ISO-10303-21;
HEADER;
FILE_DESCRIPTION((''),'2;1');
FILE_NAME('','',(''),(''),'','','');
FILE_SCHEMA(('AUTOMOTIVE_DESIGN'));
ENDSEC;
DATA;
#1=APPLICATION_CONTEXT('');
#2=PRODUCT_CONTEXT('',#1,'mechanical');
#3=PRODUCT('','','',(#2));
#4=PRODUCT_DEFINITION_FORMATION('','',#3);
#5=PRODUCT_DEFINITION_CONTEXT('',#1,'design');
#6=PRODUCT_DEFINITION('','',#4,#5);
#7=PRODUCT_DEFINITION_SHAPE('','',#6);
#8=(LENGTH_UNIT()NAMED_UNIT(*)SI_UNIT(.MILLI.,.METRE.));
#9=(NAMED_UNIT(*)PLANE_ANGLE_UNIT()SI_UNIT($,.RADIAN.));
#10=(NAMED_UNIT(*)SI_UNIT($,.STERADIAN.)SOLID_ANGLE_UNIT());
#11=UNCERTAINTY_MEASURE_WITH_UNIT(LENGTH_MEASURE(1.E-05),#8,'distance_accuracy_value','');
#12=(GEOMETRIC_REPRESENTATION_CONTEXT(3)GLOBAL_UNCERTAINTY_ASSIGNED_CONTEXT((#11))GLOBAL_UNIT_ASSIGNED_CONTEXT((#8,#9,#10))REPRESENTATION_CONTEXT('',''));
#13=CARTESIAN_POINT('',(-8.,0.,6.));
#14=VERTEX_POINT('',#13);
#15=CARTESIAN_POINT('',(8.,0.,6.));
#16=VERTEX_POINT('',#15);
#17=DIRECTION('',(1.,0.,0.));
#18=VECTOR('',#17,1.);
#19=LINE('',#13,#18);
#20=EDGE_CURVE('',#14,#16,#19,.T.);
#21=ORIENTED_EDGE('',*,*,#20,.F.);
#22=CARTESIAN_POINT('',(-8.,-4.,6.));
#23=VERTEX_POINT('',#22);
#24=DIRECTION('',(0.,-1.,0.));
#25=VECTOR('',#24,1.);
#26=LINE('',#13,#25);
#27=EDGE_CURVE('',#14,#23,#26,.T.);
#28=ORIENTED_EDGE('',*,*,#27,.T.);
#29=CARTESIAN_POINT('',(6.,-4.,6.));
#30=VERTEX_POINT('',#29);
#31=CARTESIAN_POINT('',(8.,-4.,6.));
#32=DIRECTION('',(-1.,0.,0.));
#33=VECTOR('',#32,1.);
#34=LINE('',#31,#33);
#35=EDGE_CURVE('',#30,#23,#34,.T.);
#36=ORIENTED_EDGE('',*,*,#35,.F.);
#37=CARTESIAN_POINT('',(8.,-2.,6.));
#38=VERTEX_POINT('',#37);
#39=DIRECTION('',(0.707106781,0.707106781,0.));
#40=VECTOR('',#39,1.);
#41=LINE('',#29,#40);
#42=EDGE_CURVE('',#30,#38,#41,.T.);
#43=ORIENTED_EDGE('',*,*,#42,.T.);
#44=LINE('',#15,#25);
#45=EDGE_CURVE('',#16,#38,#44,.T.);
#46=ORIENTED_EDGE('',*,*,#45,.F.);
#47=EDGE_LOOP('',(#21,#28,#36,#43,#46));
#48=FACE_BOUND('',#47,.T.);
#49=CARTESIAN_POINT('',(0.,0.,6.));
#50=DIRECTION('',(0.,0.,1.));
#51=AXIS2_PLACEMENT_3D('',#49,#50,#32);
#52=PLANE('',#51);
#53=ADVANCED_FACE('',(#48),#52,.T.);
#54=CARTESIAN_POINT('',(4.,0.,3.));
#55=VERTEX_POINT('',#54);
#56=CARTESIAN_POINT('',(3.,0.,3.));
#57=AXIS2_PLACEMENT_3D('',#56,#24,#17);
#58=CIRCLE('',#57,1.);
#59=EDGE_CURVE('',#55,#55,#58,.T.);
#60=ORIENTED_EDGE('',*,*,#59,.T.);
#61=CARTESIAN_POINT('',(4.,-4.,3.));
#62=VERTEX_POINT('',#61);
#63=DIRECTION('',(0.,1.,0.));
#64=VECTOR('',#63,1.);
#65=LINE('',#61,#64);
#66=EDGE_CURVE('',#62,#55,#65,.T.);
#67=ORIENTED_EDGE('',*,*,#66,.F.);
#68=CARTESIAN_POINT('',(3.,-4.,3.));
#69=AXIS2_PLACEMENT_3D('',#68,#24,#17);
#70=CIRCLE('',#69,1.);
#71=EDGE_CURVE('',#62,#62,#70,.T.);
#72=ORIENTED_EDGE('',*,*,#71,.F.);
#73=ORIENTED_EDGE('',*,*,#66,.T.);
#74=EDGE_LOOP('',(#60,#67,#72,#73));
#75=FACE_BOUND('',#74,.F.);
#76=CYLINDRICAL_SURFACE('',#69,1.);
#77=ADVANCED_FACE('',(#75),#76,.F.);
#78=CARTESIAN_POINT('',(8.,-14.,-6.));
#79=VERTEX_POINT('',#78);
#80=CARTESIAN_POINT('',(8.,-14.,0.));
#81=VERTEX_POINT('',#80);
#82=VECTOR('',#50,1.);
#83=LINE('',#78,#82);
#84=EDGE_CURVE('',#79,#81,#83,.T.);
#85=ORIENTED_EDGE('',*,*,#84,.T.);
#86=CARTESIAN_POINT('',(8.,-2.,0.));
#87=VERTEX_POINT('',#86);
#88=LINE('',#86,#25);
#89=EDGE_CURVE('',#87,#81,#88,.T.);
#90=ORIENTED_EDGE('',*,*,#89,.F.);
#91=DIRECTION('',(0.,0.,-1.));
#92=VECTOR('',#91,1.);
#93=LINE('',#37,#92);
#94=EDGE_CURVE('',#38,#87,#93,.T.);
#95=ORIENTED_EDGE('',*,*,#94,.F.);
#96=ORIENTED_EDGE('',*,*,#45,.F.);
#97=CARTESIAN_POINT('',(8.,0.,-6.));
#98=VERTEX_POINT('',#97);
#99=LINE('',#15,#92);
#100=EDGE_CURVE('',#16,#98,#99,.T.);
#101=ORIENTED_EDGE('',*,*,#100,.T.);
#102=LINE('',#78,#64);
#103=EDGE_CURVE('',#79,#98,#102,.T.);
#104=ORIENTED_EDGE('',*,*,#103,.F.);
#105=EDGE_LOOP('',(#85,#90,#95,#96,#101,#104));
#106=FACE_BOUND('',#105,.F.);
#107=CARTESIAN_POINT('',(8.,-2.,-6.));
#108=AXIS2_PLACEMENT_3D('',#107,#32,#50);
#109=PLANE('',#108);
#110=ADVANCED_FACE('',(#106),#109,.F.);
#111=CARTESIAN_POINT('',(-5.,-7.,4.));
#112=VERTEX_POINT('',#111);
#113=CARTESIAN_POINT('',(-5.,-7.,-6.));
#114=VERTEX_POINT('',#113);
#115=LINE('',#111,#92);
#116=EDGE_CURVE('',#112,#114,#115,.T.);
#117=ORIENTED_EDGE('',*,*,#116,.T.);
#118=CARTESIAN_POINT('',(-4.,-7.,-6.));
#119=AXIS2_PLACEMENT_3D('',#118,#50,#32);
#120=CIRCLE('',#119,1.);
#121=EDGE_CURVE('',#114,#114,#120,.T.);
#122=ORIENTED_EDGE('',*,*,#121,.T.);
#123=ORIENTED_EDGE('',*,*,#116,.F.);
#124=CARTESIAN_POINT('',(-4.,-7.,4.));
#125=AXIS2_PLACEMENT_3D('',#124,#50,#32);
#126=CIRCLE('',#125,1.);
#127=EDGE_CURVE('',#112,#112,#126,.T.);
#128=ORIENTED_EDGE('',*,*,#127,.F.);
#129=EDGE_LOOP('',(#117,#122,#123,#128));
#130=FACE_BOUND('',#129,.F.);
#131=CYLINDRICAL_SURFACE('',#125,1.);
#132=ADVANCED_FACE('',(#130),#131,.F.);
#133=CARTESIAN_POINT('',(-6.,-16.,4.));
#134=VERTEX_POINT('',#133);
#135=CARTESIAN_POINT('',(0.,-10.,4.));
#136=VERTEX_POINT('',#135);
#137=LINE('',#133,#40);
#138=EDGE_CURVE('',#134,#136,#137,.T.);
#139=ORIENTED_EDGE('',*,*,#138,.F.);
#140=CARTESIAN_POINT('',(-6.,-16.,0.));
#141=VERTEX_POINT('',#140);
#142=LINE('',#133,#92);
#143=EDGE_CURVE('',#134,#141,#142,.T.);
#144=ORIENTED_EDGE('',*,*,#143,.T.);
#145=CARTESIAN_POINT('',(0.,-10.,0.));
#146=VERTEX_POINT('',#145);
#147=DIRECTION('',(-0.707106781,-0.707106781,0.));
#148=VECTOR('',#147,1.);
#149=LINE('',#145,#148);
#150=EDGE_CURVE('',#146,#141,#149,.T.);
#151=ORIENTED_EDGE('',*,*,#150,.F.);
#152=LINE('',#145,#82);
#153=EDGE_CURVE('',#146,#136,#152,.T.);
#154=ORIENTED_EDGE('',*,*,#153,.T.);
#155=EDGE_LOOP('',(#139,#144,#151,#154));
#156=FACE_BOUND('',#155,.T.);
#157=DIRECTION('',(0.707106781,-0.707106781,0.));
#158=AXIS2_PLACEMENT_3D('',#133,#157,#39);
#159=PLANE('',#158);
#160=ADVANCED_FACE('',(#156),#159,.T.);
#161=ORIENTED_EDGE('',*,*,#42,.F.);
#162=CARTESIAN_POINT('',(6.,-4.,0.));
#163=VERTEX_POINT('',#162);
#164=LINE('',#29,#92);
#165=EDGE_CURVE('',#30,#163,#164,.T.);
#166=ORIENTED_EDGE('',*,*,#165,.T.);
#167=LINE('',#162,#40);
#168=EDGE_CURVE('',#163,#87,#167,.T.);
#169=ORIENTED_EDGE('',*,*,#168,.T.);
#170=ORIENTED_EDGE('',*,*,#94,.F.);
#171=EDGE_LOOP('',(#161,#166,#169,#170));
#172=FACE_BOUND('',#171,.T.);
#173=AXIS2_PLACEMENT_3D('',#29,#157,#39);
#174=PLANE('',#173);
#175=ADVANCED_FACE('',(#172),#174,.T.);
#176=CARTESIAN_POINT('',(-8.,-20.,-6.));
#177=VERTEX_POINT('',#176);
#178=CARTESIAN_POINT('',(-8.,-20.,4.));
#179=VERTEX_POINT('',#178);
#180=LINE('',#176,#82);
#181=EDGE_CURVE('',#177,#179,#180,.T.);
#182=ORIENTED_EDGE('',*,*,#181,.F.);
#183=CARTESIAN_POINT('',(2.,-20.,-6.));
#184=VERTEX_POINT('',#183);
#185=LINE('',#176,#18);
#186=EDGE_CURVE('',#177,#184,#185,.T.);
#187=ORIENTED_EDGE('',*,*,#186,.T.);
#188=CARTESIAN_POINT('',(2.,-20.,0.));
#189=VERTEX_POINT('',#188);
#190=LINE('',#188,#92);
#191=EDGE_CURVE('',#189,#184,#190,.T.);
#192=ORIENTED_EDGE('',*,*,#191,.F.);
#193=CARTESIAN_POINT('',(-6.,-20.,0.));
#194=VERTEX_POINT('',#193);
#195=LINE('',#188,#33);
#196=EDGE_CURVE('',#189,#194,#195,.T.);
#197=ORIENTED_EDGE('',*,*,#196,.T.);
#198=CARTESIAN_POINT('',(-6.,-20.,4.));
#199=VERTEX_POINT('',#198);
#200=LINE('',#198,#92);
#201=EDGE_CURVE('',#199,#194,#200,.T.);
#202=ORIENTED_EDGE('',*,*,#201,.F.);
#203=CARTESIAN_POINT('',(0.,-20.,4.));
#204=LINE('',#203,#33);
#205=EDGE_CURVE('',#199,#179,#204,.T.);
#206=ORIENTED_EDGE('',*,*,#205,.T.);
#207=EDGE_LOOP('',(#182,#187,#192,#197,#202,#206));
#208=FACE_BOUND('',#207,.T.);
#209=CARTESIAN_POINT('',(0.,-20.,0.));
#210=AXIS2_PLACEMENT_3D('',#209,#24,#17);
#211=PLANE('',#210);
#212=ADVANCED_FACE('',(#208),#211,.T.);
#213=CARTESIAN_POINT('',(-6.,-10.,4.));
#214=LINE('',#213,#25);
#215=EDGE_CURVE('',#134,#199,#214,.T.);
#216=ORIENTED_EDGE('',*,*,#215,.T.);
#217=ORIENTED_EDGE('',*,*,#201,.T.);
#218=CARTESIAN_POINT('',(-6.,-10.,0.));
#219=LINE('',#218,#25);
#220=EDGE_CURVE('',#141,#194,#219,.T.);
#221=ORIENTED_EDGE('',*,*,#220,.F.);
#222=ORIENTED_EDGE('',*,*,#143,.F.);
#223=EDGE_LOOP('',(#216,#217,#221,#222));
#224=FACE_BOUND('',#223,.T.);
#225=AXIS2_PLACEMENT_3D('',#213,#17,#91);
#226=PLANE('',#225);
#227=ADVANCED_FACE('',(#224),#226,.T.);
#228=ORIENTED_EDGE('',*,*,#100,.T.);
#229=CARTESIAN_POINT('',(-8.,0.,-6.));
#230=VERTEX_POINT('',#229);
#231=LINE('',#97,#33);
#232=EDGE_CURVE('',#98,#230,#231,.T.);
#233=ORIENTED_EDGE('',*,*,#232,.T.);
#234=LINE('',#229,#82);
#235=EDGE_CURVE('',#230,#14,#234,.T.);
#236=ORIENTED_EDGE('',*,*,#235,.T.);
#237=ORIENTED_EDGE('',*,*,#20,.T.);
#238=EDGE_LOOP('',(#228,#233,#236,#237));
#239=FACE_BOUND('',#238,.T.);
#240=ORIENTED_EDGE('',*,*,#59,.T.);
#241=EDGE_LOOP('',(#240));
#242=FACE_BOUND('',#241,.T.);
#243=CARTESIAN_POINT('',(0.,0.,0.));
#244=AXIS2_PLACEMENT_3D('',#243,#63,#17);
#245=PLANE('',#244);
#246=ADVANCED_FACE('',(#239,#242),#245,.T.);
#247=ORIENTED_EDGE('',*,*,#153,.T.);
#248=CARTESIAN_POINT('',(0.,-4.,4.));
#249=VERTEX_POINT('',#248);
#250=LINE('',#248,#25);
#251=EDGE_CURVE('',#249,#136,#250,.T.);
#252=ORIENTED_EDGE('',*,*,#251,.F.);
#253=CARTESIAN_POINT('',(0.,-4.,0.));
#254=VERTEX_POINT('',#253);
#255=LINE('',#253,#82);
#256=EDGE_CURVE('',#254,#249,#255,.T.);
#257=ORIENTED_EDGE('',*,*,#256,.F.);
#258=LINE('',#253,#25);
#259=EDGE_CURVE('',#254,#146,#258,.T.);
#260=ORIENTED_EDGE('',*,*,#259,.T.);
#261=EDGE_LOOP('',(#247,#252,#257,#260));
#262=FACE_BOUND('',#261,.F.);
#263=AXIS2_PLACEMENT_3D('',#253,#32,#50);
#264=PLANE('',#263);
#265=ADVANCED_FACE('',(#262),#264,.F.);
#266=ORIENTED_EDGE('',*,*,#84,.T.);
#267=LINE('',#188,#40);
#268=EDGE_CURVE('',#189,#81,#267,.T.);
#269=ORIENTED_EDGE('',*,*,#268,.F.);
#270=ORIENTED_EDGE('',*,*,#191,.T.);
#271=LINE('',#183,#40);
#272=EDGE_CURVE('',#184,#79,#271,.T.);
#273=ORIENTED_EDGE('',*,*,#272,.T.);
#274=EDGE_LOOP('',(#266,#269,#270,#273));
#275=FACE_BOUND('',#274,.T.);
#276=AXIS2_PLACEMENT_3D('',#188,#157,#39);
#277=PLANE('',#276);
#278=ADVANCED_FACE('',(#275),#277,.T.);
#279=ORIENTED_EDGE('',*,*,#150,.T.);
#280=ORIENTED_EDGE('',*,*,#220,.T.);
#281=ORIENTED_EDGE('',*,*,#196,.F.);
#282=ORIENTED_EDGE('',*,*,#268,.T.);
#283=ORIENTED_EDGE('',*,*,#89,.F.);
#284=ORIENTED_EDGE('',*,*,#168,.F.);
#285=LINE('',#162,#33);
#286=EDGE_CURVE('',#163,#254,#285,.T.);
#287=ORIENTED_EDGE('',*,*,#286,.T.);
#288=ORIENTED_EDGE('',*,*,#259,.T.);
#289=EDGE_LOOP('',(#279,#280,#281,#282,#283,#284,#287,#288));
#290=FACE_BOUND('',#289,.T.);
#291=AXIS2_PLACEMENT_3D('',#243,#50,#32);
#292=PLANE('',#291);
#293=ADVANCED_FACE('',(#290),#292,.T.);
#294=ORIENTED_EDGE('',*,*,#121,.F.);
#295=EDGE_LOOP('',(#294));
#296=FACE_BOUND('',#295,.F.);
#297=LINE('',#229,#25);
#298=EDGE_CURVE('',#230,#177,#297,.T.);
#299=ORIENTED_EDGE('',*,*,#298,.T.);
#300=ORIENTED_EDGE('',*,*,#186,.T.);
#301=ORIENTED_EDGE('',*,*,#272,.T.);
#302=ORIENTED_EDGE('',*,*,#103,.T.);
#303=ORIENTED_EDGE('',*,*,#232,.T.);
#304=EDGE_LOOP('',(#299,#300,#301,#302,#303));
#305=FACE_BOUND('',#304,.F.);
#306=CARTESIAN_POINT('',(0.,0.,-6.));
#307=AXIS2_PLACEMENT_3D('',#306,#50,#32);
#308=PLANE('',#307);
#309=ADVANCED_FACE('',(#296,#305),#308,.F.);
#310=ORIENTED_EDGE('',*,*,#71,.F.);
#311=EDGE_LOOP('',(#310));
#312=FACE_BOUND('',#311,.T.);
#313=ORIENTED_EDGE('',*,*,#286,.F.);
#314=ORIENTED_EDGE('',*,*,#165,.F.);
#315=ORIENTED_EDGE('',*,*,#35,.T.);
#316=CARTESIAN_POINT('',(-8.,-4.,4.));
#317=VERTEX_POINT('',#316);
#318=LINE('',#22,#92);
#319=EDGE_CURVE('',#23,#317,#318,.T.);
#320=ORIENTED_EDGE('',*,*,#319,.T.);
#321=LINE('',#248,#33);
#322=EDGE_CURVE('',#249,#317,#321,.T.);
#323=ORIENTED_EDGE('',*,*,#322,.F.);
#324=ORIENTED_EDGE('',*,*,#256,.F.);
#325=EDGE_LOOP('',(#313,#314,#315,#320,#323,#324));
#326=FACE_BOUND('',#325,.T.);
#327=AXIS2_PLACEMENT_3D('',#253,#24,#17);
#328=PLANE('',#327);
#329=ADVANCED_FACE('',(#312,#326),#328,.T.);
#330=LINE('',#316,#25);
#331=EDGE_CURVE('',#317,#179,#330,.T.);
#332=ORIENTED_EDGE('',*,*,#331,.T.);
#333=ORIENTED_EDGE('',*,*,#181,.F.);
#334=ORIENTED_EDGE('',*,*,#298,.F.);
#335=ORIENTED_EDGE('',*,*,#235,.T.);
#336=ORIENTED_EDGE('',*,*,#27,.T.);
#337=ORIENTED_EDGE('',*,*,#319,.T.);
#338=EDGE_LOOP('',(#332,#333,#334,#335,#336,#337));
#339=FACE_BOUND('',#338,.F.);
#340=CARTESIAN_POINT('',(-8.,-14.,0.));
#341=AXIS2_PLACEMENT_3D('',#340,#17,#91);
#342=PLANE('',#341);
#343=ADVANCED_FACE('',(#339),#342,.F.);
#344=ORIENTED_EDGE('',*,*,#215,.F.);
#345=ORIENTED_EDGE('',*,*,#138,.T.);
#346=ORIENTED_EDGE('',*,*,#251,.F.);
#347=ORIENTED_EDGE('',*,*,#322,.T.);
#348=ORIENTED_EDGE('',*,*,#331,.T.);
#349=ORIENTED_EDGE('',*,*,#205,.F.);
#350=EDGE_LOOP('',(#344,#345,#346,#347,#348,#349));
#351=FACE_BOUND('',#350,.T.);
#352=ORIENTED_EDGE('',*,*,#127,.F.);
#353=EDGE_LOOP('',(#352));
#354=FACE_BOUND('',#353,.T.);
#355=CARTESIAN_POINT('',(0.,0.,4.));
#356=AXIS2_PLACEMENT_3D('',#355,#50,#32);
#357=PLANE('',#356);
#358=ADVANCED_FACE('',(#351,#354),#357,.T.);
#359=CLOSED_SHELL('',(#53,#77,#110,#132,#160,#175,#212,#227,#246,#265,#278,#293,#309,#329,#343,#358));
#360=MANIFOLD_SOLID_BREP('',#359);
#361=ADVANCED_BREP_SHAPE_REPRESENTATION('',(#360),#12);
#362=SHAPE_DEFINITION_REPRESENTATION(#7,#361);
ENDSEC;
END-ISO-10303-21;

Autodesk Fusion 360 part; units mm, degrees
sketch "Sketch1" plane through (0, 0, 0) normal (0, 1, 0) x (1, 0, 0)
  line L0 (8, 6) -> (-8, 6)
  line L1 (-8, 6) -> (-8, -6)
  line L2 (-8, -6) -> (8, -6)
  line L3 (8, -6) -> (8, 6)
  line L4 (8, 6) -> (-8, -6) construction
  line L5 (-8, 6) -> (8, -6) construction
  dimension "d1" = 16
  dimension "d2" = 12
extrude "Extrude1" add sketch "Sketch1" against normal blind 2
sketch "Sketch2" plane through (0, -2, 0) normal (0, -1, 0) x (1, 0, 0)
  line L0 (8, -6) -> (8, 6)
  line L1 (8, 6) -> (-8, 6)
  line L2 (-8, 6) -> (-8, -6)
  line L3 (-8, -6) -> (8, -6)
  line L4 (-8, 6) -> (6, 6)
  line L5 (6, 6) -> (6, 0)
  line L6 (6, 0) -> (-8, 0)
  line L7 (-8, 0) -> (-8, 6)
  dimension "d5" = 14
extrude "Extrude2" add sketch "Sketch2" along normal blind 2 contours L1 L2 L4 L5 L6 L7
sketch "Sketch3" plane through (0, 0, 6) normal (0, 0, 1) x (-1, 0, 0)
  line L0 (-8, 0) -> (8, 0)
  line L1 (8, 0) -> (8, 4)
  line L2 (8, 4) -> (-6, 4)
  line L3 (-6, 4) -> (-6, 2)
  line L4 (-6, 2) -> (-8, 2)
  line L5 (-8, 2) -> (-8, 0)
  line L6 (-6, 4) -> (-8, 2)
extrude "Extrude3" add sketch "Sketch3" against normal blind 6 contours L3 L4 L6
sketch "Sketch4" plane through (0, -4, 0) normal (0, -1, 0) x (1, 0, 0)
  line L0 (-8, 0) -> (6, 0)
  line L1 (6, 0) -> (6, 6)
  line L2 (6, 6) -> (-8, 6)
  line L3 (-8, 6) -> (-8, 0)
  line L4 (-8, 0) -> (0, 0)
  line L5 (0, 0) -> (0, 4)
  line L6 (0, 4) -> (-8, 4)
  line L7 (-8, 4) -> (-8, 0)
  dimension "d10" = 8
  dimension "d11" = 4
extrude "Extrude4" add sketch "Sketch4" along normal blind 6 contours L0 L3 L4 L5 L6 L7
sketch "Sketch5" plane through (0, -10, 0) normal (0, -1, 0) x (1, 0, 0)
  line L0 (-8, 4) -> (-8, 0)
  line L1 (-8, 0) -> (0, 0)
  line L2 (0, 0) -> (0, 4)
  line L3 (0, 4) -> (-8, 4)
  line L4 (-8, 4) -> (-6, 4)
  line L5 (-6, 4) -> (-6, 0)
  line L6 (-6, 0) -> (-8, 0)
  line L7 (-8, 0) -> (-8, 4)
  dimension "d14" = 2
  dimension "d15" = 4
extrude "Extrude5" add sketch "Sketch5" along normal blind 10 contours L0 L1 L3 L4 L5 L6 L7
sketch "Sketch6" plane through (0, 0, 4) normal (0, 0, 1) x (-1, 0, 0)
  line L0 (0, 4) -> (8, 4)
  line L1 (8, 4) -> (8, 20)
  line L2 (8, 20) -> (6, 20)
  line L3 (6, 20) -> (6, 10)
  line L4 (6, 10) -> (0, 10)
  line L5 (0, 10) -> (0, 4)
  line L6 (6, 10) -> (6, 16) construction
  line L7 (6, 16) -> (0, 10)
  dimension "d18" = 6
extrude "Extrude6" add sketch "Sketch6" against normal blind 4 contours L3 L4 L7
sketch "Sketch7" plane through (0, -2, 0) normal (0, -1, 0) x (1, 0, 0)
  line L0 (8, 0) -> (-8, 0)
  line L1 (-8, 0) -> (-8, -6)
  line L2 (-8, -6) -> (8, -6)
  line L3 (8, -6) -> (8, 0)
  line L4 (-8, 0) -> (8, 0)
  line L5 (8, 0) -> (8, -6)
  line L6 (8, -6) -> (-8, -6)
  line L7 (-8, -6) -> (-8, 0)
extrude "Extrude7" add sketch "Sketch7" along normal blind 12
sketch "Sketch8" plane through (0, -14, 0) normal (0, -1, 0) x (1, 0, 0)
  line L0 (-8, -6) -> (8, -6)
  line L1 (8, -6) -> (8, 0)
  line L2 (8, 0) -> (-4, 0)
  line L3 (-4, 0) -> (-8, 0)
  line L4 (-8, 0) -> (-8, -6)
  line L5 (-8, 0) -> (2, 0)
  line L6 (2, 0) -> (2, -6)
  line L7 (2, -6) -> (-8, -6)
  line L8 (-8, -6) -> (-8, 0)
  dimension "d23" = 10
  dimension "d24" = 6
extrude "Extrude8" add sketch "Sketch8" along normal blind 6 contours L0 L2 L3 L4 L5 L6 L7 L8
sketch "Sketch9" plane through (0, 0, 0) normal (0, 0, 1) x (-1, 0, 0)
  line L0 (0, 10) -> (6, 16)
  line L1 (6, 16) -> (6, 20)
  line L2 (6, 20) -> (-2, 20)
  line L3 (-2, 20) -> (-2, 14)
  line L4 (-2, 14) -> (-8, 14)
  line L5 (-8, 14) -> (-8, 2)
  line L6 (-8, 2) -> (-6, 4)
  line L7 (-6, 4) -> (0, 4)
  line L8 (0, 4) -> (0, 10)
  line L9 (-2, 20) -> (-8, 14)
extrude "Extrude9" add sketch "Sketch9" against normal blind 6 contours L3 L4 L9
sketch "Sketch10" plane through (0, -4, 0) normal (0, -1, 0) x (1, 0, 0)
  line L0 (0, 4) -> (0, 0)
  line L1 (0, 0) -> (6, 0)
  line L2 (6, 0) -> (6, 6)
  line L3 (6, 6) -> (-8, 6)
  line L4 (-8, 6) -> (-8, 4)
  line L5 (-8, 4) -> (0, 4)
  circle A0 centre (3, 3) radius 1
  dimension "d30" = 2
extrude "Extrude10" cut sketch "Sketch10" against normal up to surface (4 mm away) contours A0
sketch "Sketch11" plane through (0, 0, 4) normal (0, 0, 1) x (-1, 0, 0)
  line L0 (0, 4) -> (8, 4)
  line L1 (8, 4) -> (8, 20)
  line L2 (8, 20) -> (6, 20)
  line L3 (6, 20) -> (6, 16)
  line L4 (6, 16) -> (0, 10)
  line L5 (0, 10) -> (0, 4)
  circle A0 centre (4, 7) radius 1
  dimension "d33" = 2
extrude "Extrude11" cut sketch "Sketch11" against normal up to surface (10 mm away) contours A0
